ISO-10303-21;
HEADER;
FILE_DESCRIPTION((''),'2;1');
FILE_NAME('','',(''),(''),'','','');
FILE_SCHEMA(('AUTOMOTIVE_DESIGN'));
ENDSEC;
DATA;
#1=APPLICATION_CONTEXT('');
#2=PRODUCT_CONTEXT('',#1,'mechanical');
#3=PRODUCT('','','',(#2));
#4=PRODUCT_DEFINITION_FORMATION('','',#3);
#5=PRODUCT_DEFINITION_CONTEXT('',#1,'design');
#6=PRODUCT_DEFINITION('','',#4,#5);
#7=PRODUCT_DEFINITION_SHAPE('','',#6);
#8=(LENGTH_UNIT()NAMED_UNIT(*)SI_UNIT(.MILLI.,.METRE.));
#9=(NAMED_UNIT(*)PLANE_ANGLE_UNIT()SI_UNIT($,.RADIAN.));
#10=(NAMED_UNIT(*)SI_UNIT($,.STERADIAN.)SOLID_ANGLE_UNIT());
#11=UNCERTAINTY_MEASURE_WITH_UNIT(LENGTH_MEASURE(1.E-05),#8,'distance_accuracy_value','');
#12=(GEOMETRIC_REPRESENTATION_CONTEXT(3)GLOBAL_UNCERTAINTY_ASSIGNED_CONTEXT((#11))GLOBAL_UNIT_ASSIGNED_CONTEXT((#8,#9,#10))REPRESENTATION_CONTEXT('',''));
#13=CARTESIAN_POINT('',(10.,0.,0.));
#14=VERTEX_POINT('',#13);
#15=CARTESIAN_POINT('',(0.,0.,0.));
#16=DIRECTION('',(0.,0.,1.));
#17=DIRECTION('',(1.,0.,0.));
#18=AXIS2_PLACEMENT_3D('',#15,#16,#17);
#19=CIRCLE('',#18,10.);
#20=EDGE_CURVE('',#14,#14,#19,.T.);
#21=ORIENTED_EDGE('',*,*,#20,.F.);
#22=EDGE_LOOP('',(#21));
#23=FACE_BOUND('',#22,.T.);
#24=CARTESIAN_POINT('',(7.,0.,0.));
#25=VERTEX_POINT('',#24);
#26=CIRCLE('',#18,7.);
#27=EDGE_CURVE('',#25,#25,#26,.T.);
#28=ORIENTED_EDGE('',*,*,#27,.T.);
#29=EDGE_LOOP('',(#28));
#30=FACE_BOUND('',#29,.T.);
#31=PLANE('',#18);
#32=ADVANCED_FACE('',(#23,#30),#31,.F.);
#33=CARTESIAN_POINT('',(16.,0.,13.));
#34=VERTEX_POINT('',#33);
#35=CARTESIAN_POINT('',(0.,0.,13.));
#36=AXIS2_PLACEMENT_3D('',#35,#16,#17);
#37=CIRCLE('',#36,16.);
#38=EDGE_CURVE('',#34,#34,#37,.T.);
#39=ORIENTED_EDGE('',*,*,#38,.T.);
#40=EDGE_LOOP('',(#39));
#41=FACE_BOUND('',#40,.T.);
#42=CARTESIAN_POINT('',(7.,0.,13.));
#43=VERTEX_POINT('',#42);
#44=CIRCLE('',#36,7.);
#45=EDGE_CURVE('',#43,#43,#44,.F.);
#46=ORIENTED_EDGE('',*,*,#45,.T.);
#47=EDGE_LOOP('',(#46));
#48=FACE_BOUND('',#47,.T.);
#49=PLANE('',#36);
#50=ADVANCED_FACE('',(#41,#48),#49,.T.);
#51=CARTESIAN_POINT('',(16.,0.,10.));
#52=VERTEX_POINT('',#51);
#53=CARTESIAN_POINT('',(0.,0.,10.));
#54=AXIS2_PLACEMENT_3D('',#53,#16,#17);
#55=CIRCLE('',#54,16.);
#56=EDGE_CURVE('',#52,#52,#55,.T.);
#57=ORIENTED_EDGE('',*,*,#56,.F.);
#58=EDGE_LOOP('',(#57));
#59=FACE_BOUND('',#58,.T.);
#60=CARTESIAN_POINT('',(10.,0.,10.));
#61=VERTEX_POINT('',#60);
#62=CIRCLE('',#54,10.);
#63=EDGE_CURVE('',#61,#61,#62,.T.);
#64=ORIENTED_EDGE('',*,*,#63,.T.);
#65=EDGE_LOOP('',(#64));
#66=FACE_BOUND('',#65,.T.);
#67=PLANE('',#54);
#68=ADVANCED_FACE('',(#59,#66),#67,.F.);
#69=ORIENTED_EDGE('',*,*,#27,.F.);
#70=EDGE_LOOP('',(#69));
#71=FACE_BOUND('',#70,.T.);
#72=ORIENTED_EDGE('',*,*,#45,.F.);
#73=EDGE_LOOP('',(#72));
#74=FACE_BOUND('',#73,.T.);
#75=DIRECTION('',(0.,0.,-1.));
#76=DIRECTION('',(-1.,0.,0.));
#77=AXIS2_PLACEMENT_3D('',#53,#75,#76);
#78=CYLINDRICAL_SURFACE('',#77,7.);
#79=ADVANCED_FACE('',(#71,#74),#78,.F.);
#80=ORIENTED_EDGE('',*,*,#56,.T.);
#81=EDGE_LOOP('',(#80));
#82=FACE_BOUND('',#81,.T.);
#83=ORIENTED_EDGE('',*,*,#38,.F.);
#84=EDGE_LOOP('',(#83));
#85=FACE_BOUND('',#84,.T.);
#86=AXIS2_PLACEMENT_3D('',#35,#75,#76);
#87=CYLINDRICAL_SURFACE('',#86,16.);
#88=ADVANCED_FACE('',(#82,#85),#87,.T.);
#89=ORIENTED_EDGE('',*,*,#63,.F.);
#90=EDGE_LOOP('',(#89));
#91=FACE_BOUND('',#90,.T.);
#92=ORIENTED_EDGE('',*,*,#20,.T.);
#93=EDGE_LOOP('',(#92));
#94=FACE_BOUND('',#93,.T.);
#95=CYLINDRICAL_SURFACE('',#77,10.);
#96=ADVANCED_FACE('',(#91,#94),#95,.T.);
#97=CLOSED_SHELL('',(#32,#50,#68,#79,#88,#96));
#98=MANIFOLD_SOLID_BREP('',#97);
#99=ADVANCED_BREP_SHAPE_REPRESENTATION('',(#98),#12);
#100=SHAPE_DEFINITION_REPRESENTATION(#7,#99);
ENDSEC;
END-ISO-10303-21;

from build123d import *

# Parameters (mm, degrees)
SKETCH1_R           = 10
SKETCH1_R_2         = 7
BOSS_EXTRUDE1_DEPTH = 10
SKETCH2_R           = 16
SKETCH2_R_2         = 10
SKETCH2_R_3         = 7
BOSS_EXTRUDE3_DEPTH = 3


with BuildPart() as part:
    # Sketch1 → Boss-Extrude1 (new body)
    with BuildSketch(Plane.XY):
        Circle(SKETCH1_R)
        Circle(SKETCH1_R_2, mode=Mode.SUBTRACT)
    extrude(amount=BOSS_EXTRUDE1_DEPTH)

    # Sketch2 → Boss-Extrude3 (add)
    with BuildSketch(Plane.XY.offset(10)):
        Circle(SKETCH2_R)
        Circle(SKETCH2_R_2, mode=Mode.SUBTRACT)
        Circle(SKETCH2_R_2)
        Circle(SKETCH2_R_3, mode=Mode.SUBTRACT)
    extrude(amount=BOSS_EXTRUDE3_DEPTH)


solid = part.part
